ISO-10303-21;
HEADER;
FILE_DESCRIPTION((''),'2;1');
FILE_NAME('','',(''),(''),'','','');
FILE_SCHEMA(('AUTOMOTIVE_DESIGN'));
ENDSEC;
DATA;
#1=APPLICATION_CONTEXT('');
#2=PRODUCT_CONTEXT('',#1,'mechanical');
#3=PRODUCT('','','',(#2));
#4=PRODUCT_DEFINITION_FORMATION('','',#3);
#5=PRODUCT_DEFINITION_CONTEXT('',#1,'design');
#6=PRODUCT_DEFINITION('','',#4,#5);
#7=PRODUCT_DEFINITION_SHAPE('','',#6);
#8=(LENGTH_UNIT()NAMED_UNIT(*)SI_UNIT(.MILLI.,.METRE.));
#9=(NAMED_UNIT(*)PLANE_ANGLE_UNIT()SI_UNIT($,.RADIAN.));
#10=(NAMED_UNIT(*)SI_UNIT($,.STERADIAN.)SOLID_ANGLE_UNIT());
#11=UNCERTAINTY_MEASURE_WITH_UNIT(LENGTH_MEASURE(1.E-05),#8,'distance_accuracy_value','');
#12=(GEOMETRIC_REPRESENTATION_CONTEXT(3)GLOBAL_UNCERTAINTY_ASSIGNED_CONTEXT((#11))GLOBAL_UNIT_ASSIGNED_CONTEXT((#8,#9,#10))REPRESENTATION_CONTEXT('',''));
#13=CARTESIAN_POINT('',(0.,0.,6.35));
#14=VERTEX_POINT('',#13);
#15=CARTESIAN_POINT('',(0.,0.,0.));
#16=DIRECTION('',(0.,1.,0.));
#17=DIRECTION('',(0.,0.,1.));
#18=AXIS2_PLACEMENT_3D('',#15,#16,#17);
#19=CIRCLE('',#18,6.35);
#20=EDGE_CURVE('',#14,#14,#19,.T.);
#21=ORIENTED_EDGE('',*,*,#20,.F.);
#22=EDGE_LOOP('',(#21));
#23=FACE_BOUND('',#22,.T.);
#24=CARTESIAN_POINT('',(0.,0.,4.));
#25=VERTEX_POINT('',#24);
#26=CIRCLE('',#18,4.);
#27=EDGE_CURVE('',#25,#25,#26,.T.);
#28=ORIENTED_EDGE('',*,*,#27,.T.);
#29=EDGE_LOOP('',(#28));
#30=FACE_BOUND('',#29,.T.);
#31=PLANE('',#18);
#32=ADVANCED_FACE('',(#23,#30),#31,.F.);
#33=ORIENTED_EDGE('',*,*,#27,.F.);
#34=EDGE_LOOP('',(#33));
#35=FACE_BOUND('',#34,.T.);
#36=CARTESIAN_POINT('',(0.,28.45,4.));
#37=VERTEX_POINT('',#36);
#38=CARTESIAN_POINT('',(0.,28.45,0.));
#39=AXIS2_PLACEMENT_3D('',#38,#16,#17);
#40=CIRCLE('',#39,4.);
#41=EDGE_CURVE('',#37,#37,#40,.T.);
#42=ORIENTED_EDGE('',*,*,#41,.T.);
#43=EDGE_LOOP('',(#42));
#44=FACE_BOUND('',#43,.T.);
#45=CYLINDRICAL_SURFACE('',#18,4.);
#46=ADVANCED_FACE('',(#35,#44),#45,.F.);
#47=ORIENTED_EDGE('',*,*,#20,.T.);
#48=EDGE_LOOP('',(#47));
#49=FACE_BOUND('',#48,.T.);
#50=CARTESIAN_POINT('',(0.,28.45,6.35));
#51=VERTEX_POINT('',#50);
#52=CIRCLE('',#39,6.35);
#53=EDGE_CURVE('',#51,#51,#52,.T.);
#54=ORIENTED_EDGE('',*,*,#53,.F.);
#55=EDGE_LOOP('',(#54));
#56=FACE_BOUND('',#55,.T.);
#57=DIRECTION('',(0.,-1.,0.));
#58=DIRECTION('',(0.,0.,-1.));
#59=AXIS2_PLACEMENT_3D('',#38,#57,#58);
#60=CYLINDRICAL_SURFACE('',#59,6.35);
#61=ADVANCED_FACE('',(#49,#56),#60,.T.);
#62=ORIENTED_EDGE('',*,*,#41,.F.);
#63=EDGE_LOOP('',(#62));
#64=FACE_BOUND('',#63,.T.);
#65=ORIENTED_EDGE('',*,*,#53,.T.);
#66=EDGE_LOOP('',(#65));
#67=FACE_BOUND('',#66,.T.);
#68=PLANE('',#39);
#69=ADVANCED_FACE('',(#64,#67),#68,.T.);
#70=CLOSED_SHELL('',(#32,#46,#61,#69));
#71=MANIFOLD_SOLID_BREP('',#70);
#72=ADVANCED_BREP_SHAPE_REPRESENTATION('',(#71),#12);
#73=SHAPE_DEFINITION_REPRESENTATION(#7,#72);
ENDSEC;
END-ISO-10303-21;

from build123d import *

# Parameters (mm, degrees)
SKETCH1_R           = 6.35
BOSS_EXTRUDE1_DEPTH = 28.449999988
SKETCH3_R           = 4
CUT_EXTRUDE2_DEPTH  = 30.83366386


with BuildPart() as part:
    # Sketch1 → Boss-Extrude1 (new body)
    with BuildSketch(Plane(origin=(0, 0, 0), x_dir=(1, 0, 0), z_dir=(0, 1, 0))):
        with Locations(Location((0, 0, 0), (0, 0, 270))):
            Circle(SKETCH1_R)
    extrude(amount=BOSS_EXTRUDE1_DEPTH)

    # Sketch3 → Cut-Extrude2 (cut, through all)
    with BuildSketch(Plane(origin=(0, 28.449999988, 0), x_dir=(1, 0, 0), z_dir=(0, 1, 0))):
        with Locations(Location((0, 0, 0), (0, 0, 270))):
            Circle(SKETCH3_R)
    extrude(amount=-CUT_EXTRUDE2_DEPTH, mode=Mode.SUBTRACT)


solid = part.part
